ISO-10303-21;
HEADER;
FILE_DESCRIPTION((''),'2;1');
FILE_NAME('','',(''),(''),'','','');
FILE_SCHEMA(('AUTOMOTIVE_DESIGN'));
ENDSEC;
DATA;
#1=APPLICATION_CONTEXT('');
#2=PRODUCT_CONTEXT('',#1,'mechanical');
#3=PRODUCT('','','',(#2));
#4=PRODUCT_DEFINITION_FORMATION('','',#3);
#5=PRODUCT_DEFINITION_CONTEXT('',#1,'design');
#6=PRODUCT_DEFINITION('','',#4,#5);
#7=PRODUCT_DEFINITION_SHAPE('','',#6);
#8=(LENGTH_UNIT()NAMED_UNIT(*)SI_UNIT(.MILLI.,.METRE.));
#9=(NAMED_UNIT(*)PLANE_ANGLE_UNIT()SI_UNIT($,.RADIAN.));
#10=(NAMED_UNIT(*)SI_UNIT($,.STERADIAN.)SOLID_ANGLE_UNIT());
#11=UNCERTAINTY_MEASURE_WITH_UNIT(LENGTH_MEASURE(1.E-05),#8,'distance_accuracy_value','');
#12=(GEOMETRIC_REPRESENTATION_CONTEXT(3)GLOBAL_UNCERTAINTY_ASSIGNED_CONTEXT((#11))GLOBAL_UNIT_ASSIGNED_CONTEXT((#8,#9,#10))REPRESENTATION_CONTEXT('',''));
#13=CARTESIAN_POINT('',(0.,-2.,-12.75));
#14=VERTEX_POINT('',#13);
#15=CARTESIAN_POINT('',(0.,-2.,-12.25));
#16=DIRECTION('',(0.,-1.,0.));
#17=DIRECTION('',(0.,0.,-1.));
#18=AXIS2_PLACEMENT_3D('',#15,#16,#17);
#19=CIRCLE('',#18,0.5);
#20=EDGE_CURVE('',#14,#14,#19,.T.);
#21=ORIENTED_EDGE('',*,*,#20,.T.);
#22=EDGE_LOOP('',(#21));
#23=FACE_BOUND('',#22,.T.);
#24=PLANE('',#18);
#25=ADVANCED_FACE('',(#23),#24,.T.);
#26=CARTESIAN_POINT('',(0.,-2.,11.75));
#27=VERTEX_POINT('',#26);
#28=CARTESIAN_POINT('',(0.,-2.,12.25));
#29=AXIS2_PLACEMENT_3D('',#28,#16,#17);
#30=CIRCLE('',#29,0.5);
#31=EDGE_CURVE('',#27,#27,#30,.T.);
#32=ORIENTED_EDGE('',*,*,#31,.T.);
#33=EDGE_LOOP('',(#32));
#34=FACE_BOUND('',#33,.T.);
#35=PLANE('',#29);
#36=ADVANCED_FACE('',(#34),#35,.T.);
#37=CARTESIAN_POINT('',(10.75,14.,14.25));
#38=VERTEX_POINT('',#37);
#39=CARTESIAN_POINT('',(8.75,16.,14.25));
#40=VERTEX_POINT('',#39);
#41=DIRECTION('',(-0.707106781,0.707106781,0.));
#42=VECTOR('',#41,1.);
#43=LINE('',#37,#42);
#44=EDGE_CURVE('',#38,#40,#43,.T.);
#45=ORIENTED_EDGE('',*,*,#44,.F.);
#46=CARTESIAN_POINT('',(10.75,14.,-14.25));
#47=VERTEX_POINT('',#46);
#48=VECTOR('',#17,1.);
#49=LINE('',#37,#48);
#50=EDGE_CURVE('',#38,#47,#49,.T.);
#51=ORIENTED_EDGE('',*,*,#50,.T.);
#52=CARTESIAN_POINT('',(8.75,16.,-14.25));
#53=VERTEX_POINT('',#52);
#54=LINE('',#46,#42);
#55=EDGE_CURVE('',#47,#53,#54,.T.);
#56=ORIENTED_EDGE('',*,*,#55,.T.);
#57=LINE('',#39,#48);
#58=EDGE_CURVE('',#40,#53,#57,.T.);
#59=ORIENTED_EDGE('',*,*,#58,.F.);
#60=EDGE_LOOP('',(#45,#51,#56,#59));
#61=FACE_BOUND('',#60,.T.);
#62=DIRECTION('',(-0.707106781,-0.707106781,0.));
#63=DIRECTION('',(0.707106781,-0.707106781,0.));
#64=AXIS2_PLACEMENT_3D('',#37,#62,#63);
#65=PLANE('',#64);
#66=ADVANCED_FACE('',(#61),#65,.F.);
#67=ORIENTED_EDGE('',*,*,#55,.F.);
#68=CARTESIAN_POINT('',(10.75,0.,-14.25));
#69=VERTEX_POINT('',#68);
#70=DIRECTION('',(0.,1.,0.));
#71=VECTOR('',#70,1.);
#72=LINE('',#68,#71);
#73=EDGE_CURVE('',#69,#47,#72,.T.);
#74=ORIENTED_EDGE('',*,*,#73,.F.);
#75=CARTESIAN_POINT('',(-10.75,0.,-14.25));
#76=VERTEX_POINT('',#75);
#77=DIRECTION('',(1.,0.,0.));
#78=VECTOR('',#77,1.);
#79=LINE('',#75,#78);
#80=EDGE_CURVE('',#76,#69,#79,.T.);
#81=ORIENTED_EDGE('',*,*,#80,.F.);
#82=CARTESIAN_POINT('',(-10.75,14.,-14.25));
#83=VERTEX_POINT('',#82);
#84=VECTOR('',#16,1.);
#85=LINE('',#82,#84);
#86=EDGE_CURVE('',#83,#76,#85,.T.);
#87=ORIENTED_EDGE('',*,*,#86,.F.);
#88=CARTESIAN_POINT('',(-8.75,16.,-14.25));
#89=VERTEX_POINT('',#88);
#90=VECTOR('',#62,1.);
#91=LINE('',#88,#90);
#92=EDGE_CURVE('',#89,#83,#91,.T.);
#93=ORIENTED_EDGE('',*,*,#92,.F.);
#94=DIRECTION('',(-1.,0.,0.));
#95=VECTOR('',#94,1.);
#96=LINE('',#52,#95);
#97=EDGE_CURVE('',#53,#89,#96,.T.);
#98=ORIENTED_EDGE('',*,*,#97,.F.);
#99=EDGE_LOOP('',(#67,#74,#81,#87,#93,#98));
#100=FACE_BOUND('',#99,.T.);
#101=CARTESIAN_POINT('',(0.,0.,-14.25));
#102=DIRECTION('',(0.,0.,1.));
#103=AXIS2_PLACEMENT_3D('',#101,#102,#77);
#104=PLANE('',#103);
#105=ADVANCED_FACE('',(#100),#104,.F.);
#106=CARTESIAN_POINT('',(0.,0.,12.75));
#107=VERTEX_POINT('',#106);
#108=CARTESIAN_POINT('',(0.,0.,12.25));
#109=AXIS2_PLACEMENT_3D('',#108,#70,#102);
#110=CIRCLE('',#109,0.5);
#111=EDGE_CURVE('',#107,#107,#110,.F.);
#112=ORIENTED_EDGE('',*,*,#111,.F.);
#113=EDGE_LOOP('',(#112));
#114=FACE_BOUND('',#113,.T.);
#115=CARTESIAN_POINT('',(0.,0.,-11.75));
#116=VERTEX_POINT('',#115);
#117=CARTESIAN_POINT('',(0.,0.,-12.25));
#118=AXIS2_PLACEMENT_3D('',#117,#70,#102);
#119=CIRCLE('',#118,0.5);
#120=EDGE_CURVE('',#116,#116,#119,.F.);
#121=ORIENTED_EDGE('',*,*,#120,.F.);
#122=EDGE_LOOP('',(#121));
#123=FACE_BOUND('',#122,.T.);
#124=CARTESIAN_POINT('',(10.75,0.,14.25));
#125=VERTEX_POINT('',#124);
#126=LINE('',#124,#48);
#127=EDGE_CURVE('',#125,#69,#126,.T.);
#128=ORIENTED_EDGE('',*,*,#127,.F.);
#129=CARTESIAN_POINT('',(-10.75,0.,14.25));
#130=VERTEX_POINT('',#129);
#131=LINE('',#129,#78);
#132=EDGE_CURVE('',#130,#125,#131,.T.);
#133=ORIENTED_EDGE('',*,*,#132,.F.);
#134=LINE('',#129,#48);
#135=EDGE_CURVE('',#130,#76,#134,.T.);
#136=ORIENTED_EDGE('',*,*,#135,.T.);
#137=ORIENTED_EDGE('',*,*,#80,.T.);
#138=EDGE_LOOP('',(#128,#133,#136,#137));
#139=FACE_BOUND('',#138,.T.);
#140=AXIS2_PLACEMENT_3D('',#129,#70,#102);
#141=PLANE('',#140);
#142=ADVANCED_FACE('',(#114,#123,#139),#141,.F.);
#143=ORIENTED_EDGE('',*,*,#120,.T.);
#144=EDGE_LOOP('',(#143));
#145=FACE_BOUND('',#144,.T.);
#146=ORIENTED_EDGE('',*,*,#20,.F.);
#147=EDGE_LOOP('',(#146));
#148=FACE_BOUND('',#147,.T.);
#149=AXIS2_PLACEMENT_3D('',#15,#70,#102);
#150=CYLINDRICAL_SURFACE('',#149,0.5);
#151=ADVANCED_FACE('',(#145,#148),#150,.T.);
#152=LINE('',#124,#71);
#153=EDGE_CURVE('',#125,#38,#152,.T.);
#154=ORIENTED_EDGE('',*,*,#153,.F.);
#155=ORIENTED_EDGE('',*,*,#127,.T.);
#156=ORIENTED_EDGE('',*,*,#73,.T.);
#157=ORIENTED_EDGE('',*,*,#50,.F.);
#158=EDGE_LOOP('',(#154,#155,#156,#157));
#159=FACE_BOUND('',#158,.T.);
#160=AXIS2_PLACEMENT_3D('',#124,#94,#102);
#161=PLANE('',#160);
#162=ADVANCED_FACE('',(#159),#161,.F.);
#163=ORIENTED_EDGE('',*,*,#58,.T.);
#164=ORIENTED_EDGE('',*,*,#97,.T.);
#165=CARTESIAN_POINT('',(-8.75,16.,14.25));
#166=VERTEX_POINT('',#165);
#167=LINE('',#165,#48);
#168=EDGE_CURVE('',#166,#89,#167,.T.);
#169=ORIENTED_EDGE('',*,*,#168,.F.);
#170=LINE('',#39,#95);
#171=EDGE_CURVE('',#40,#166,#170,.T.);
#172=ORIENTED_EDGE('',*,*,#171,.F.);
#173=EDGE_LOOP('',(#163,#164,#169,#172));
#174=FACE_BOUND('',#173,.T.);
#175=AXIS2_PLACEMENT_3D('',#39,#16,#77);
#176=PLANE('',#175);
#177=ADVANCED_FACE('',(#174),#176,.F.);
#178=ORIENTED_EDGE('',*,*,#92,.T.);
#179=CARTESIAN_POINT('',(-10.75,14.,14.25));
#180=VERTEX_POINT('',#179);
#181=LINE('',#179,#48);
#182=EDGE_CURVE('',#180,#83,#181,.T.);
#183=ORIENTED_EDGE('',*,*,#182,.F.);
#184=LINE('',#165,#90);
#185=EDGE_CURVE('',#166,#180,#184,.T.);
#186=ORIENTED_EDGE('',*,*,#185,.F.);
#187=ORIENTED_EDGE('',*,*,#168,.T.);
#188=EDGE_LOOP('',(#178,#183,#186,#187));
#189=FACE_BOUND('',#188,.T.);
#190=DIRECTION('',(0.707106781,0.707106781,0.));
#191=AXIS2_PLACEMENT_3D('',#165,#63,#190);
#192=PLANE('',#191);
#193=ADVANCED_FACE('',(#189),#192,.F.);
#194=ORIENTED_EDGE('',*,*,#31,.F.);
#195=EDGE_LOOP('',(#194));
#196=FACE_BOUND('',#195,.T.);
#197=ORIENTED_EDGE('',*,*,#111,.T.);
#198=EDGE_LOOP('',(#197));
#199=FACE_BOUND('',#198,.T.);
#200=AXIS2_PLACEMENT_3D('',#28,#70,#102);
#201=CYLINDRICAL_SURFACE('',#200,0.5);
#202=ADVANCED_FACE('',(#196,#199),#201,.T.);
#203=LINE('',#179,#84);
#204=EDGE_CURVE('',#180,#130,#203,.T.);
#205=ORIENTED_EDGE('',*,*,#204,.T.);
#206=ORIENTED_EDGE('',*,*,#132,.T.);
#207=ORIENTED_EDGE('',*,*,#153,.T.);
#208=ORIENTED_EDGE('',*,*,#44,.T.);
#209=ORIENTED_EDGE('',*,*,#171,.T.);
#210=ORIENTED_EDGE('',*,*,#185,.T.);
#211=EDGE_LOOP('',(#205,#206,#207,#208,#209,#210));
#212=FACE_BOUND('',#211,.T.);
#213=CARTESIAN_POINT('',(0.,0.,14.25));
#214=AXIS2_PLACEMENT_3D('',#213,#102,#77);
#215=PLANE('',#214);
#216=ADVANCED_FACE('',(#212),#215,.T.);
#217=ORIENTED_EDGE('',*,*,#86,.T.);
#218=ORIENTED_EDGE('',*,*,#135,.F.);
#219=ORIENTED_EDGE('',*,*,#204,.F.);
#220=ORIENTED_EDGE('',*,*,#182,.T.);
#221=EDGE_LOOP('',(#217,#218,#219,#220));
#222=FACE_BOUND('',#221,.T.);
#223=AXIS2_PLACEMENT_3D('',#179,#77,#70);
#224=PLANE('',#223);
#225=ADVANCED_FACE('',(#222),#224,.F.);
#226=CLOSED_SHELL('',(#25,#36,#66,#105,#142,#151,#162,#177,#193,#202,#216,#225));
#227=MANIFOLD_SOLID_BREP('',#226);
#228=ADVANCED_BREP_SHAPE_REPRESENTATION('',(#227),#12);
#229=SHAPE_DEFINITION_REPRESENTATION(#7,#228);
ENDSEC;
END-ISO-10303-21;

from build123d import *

# Parameters (mm, degrees)
EXTRUDE_2_DEPTH = 14.25
SKETCH_2_R      = 0.5
EXTRUDE_3_DEPTH = 2


with BuildPart() as part:
    # Эскиз1 → Бобышка-Вытянуть2 (new, symmetric)
    with BuildSketch(Plane.XY):
        Polygon((-10.75, 0), (10.75, 0), (10.75, 14), (8.75, 16), (-8.75, 16), (-10.75, 14), align=None)
    extrude(amount=EXTRUDE_2_DEPTH, both=True)

    # Эскиз2 → Бобышка-Вытянуть3 (add)
    with BuildSketch(Plane.XZ):
        with Locations(Location((0, 12.25, 0), (0, 0, 90))):
            Circle(SKETCH_2_R)
        with Locations(Location((0, -12.25, 0), (0, 0, 90))):
            Circle(SKETCH_2_R)
    extrude(amount=EXTRUDE_3_DEPTH)


solid = part.part
